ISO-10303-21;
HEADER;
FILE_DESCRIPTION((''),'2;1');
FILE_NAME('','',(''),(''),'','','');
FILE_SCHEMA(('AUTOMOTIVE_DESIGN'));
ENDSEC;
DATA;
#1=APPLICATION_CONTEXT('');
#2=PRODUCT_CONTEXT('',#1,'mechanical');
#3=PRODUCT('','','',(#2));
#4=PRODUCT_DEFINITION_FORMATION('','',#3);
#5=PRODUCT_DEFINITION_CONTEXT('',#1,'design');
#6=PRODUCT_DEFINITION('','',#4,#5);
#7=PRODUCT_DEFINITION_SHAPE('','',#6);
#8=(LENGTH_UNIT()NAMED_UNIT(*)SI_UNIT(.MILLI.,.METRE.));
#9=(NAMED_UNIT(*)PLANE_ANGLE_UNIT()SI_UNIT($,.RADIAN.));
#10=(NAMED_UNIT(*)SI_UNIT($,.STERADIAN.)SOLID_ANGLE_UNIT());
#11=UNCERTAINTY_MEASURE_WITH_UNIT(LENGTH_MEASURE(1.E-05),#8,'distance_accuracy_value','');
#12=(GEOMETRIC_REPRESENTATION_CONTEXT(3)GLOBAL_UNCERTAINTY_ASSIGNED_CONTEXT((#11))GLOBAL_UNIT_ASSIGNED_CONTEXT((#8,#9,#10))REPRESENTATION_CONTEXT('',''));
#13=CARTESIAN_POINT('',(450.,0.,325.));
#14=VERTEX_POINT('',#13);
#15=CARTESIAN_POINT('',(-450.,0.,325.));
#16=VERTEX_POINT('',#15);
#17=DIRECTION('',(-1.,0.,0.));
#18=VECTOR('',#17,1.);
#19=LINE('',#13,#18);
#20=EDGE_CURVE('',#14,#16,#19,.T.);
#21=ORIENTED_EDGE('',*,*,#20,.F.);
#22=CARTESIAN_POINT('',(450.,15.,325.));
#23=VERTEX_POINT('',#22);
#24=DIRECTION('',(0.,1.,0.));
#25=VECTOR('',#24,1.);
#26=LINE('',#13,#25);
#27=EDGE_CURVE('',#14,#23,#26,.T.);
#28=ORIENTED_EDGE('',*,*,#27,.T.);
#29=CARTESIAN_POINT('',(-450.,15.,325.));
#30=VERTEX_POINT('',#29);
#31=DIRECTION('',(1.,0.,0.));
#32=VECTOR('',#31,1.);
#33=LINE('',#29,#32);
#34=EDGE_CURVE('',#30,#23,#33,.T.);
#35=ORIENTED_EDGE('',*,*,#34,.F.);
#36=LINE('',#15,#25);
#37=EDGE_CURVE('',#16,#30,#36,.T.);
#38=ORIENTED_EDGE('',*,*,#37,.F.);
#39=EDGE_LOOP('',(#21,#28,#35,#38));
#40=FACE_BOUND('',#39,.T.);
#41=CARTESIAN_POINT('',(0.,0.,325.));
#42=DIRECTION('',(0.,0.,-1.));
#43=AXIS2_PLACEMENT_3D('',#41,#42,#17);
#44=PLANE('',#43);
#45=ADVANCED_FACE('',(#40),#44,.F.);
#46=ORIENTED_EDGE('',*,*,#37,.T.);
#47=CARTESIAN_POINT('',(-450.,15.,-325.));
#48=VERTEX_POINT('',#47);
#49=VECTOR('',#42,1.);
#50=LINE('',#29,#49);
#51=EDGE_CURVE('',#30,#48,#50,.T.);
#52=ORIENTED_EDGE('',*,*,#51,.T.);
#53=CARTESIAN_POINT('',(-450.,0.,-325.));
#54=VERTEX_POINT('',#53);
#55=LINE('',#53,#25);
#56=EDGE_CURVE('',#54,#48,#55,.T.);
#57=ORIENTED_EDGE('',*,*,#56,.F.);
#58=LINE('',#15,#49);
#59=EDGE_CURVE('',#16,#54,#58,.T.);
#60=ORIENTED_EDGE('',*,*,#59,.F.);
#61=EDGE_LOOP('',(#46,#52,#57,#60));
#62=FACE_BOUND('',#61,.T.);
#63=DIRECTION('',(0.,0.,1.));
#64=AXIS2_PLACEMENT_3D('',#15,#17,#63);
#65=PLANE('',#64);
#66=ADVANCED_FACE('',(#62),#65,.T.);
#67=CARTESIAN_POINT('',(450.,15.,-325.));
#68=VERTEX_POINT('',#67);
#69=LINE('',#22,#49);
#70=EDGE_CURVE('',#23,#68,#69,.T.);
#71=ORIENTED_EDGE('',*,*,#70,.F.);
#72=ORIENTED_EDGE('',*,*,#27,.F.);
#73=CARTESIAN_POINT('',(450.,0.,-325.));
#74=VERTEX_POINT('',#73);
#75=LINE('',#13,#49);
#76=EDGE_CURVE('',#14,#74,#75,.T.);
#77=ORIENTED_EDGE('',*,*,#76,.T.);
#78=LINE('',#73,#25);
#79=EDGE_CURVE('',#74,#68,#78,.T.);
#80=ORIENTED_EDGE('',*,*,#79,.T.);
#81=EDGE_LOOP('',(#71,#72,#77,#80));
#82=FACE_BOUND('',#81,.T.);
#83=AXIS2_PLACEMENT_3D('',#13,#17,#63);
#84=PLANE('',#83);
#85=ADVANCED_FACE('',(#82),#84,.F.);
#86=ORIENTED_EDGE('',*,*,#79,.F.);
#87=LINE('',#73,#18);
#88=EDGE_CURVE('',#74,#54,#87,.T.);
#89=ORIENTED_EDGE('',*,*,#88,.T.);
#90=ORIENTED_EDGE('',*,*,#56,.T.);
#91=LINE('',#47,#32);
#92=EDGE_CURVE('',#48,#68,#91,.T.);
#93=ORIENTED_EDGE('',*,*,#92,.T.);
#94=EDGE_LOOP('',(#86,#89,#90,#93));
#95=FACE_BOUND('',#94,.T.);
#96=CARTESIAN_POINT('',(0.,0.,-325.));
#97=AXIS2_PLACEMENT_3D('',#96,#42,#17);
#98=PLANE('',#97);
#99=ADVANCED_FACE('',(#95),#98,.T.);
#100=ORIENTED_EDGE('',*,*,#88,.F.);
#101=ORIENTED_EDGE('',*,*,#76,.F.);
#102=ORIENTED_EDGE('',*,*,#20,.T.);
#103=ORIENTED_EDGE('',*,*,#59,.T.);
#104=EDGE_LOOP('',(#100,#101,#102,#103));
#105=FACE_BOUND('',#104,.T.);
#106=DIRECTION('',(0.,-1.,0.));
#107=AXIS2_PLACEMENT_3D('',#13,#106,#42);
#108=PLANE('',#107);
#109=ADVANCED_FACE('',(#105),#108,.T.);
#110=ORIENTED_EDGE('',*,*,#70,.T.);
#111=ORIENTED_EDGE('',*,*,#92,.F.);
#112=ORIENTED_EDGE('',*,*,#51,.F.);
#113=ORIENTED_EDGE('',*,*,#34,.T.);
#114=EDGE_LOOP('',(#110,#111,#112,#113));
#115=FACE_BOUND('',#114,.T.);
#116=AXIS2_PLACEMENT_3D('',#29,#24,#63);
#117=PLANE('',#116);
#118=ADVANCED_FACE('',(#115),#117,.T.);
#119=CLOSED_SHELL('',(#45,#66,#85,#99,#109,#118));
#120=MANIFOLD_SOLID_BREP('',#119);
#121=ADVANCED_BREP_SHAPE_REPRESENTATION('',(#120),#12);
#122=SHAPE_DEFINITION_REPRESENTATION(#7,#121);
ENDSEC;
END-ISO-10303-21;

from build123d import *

# Parameters (mm, degrees)
SKETCH1_W           = 900
SKETCH1_H           = 15
EXTRUDE_THIN1_DEPTH = 325


with BuildPart() as part:
    # Sketch1 → Extrude-Thin1 (new body, symmetric)
    with BuildSketch(Plane.XY):
        with Locations((0, 7.5)):
            Rectangle(SKETCH1_W, SKETCH1_H)
    extrude(amount=EXTRUDE_THIN1_DEPTH, both=True)


solid = part.part
